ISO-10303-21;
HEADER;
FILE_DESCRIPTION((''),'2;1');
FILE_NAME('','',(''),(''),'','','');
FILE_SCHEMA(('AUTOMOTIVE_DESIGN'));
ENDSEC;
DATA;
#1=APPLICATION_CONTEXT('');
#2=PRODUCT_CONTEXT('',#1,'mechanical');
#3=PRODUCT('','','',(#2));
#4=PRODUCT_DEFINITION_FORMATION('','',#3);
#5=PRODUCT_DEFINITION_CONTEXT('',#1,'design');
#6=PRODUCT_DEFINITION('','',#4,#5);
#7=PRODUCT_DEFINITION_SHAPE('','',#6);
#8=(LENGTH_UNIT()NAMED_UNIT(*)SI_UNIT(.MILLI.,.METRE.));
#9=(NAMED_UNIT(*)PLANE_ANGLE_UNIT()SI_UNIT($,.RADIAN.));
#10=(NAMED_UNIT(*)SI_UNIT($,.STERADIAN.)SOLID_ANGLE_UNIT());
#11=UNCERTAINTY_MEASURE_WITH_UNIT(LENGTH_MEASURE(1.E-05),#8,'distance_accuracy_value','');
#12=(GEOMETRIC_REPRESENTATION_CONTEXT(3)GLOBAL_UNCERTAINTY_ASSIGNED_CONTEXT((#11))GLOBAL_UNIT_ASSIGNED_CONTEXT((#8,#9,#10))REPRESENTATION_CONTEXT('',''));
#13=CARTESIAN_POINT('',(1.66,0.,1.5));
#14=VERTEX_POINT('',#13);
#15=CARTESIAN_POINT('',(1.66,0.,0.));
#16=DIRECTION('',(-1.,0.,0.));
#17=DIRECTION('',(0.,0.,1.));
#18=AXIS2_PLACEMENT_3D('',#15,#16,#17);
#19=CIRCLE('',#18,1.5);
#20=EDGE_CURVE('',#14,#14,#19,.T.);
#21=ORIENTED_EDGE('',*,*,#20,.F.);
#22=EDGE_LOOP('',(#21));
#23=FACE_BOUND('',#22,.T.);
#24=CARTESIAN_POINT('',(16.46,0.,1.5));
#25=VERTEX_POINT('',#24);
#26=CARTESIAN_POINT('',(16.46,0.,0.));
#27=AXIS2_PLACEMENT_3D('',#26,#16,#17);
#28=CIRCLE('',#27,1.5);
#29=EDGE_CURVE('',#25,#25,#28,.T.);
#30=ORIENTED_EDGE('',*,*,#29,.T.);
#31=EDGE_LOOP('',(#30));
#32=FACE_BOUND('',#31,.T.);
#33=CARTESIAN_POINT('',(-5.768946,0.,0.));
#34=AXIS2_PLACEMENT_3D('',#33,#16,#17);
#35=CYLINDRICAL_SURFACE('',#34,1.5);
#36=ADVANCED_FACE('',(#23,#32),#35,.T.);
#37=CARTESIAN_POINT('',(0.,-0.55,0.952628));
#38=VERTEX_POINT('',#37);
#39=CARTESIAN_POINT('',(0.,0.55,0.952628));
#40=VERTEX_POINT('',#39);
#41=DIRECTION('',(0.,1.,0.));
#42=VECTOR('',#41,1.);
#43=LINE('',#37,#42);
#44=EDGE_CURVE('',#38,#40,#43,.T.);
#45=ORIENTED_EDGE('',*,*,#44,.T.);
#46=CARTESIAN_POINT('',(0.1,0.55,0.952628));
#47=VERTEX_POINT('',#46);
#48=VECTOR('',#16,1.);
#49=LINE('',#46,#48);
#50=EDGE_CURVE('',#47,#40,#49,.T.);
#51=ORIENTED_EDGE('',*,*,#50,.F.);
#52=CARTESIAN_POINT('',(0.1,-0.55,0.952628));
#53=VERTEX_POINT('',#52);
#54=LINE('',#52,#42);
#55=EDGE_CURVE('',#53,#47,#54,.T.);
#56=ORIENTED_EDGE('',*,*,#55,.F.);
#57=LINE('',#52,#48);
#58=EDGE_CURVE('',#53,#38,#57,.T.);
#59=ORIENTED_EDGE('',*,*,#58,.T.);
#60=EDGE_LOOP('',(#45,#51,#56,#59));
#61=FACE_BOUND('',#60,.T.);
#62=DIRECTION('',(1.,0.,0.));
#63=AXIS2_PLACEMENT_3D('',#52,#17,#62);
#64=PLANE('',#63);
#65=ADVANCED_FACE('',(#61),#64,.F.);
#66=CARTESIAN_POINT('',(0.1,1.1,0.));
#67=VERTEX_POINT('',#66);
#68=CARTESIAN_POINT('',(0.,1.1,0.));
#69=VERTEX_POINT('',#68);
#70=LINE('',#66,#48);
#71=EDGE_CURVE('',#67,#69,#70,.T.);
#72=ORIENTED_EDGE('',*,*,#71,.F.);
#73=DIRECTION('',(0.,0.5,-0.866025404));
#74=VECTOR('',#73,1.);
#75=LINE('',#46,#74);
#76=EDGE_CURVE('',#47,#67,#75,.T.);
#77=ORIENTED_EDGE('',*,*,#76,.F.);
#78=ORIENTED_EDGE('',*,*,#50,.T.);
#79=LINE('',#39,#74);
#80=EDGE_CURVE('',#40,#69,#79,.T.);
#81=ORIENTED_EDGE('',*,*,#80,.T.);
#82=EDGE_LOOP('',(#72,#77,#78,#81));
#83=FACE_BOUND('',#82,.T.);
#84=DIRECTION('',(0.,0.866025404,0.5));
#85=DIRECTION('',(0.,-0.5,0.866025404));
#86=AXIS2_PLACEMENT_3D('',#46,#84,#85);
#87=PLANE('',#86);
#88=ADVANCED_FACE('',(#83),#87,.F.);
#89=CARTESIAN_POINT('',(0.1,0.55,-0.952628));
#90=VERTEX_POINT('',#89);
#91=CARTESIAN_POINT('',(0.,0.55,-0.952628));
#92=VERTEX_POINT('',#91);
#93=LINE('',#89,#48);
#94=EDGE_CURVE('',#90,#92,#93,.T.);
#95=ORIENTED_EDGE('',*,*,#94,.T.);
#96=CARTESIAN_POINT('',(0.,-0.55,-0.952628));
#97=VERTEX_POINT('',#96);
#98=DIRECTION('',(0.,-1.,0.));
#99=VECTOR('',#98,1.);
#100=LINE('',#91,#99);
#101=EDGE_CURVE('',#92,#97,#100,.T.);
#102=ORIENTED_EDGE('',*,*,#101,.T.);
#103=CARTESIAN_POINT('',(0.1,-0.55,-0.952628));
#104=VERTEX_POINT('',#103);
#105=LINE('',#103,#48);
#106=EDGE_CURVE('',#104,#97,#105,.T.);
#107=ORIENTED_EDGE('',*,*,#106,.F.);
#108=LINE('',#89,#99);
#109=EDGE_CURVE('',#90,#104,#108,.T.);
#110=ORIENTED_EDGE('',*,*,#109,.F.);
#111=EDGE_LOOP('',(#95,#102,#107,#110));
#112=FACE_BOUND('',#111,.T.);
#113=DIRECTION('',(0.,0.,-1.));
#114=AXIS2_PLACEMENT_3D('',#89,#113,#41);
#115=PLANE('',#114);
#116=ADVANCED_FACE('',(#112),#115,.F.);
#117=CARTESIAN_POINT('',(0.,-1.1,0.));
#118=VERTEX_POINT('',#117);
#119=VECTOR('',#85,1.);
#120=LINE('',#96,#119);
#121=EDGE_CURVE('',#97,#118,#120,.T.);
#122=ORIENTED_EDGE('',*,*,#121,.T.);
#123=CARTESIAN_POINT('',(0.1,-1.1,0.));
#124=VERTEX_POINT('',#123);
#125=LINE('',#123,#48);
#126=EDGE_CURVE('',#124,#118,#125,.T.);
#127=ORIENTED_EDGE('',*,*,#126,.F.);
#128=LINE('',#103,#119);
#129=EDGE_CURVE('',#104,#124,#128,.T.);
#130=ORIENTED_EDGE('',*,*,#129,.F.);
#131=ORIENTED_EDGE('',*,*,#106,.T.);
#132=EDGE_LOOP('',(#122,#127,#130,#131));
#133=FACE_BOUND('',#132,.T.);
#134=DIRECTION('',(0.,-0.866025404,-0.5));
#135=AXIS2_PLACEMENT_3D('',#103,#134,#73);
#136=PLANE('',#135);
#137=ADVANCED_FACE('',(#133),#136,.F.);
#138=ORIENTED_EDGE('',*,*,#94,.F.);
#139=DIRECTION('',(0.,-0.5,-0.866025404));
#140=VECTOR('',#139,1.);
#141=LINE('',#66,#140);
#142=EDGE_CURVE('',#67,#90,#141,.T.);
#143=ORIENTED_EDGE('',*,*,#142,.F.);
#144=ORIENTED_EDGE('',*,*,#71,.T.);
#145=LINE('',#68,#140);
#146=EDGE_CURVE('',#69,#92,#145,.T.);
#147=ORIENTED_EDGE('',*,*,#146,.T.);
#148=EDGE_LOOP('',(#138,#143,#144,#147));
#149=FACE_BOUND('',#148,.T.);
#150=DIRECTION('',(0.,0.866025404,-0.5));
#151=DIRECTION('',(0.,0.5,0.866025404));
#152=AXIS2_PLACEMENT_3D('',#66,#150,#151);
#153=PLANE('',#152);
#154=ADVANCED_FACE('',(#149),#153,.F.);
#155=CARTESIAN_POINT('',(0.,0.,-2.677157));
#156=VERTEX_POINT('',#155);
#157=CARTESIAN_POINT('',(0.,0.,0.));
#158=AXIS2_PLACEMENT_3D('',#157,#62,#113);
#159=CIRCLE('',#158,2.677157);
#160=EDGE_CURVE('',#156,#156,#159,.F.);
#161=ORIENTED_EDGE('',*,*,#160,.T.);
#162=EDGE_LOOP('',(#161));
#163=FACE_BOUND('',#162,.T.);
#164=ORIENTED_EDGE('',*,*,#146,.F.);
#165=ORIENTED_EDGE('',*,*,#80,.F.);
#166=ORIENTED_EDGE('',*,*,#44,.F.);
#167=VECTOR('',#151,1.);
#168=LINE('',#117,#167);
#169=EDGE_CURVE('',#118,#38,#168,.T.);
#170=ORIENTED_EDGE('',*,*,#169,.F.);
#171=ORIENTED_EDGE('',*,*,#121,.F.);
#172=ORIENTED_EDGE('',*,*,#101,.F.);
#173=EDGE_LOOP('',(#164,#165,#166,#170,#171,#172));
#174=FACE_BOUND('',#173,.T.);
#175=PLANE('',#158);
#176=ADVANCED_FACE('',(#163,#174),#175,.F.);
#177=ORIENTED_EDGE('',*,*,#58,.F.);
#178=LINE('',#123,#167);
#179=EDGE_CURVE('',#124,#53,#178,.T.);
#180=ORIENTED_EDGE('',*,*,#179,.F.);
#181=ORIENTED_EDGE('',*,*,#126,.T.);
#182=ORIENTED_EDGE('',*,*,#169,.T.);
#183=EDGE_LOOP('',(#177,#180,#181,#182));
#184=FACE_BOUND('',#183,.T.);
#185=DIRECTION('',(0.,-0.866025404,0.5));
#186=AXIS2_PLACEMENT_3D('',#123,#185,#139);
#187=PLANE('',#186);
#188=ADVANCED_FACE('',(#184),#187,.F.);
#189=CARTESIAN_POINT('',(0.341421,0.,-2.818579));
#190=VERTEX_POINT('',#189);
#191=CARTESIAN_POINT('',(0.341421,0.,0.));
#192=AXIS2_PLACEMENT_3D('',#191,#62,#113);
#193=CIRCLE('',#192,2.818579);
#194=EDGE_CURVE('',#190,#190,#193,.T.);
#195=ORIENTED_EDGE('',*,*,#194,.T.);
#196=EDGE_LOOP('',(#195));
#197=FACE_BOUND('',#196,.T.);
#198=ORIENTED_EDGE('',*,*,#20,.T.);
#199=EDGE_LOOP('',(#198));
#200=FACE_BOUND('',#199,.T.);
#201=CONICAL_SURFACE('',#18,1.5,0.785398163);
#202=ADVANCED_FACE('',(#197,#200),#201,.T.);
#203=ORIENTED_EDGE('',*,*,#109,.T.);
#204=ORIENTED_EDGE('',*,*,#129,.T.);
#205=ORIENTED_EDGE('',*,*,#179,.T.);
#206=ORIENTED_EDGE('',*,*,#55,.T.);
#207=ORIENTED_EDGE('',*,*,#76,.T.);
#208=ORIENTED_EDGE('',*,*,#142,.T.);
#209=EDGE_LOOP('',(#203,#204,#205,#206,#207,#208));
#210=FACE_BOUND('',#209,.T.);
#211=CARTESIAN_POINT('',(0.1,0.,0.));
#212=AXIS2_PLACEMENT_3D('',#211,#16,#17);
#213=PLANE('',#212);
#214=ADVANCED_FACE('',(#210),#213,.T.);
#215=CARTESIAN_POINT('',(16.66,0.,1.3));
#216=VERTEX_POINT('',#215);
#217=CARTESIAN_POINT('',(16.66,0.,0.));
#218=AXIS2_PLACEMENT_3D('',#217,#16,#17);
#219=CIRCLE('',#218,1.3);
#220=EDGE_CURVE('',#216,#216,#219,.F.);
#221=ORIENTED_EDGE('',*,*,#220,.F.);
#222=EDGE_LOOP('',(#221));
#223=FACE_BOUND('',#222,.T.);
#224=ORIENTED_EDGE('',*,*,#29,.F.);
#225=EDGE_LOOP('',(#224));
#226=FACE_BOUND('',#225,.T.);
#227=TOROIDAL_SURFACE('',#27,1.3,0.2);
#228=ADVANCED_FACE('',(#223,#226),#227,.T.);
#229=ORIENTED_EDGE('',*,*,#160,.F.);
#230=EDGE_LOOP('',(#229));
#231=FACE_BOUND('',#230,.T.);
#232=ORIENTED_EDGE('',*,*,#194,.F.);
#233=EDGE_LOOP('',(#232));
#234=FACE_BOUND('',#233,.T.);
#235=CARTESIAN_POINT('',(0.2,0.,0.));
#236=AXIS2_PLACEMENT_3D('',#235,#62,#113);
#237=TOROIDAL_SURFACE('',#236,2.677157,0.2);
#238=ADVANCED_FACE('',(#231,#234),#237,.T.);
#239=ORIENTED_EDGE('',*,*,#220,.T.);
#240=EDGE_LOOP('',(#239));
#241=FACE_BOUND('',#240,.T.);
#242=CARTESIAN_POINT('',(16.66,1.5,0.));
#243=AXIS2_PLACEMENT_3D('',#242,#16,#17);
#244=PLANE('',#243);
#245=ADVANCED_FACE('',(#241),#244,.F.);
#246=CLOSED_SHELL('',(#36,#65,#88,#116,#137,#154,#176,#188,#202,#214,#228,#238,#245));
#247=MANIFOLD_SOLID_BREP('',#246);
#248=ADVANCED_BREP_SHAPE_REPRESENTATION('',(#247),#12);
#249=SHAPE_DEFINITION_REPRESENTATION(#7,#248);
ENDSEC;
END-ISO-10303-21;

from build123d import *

# Parameters (mm, degrees)
ENL_V_MAT_EXTRU_1_DEPTH = 0.1
CONG_1_R                = 0.2


with BuildPart() as part:
    # Esquisse1 → Révolution1 (revolve)
    with BuildSketch(Plane.XY, mode=Mode.PRIVATE) as r_volution1_sk:
        Polygon((0, 0), (0, 3.16), (1.66, 1.5), (16.66, 1.5), (16.66, 0), align=None)
    revolve(r_volution1_sk.sketch.rotate(Axis((-5.768945874, 0, 0), (1, 0, 0)), 90), axis=Axis((-5.768945874, 0, 0), (1, 0, 0)))

    # Esquisse2 → Enlèv. mat.-Extru.1 (cut)
    with BuildSketch(Plane.ZY):
        Polygon((0, -1.1), (0.952627944, -0.55), (0.952627944, 0.55), (0, 1.1), (-0.952627944, 0.55), (-0.952627944, -0.55), align=None)
    extrude(amount=-ENL_V_MAT_EXTRU_1_DEPTH, mode=Mode.SUBTRACT)

    # Congé1
    cong_1_edges = [part.edges().sort_by_distance(p)[0] for p in [
        (16.66, 0, -1.5),
        (0, 0, -3.16),
    ]]
    fillet(cong_1_edges, radius=CONG_1_R)


solid = part.part
